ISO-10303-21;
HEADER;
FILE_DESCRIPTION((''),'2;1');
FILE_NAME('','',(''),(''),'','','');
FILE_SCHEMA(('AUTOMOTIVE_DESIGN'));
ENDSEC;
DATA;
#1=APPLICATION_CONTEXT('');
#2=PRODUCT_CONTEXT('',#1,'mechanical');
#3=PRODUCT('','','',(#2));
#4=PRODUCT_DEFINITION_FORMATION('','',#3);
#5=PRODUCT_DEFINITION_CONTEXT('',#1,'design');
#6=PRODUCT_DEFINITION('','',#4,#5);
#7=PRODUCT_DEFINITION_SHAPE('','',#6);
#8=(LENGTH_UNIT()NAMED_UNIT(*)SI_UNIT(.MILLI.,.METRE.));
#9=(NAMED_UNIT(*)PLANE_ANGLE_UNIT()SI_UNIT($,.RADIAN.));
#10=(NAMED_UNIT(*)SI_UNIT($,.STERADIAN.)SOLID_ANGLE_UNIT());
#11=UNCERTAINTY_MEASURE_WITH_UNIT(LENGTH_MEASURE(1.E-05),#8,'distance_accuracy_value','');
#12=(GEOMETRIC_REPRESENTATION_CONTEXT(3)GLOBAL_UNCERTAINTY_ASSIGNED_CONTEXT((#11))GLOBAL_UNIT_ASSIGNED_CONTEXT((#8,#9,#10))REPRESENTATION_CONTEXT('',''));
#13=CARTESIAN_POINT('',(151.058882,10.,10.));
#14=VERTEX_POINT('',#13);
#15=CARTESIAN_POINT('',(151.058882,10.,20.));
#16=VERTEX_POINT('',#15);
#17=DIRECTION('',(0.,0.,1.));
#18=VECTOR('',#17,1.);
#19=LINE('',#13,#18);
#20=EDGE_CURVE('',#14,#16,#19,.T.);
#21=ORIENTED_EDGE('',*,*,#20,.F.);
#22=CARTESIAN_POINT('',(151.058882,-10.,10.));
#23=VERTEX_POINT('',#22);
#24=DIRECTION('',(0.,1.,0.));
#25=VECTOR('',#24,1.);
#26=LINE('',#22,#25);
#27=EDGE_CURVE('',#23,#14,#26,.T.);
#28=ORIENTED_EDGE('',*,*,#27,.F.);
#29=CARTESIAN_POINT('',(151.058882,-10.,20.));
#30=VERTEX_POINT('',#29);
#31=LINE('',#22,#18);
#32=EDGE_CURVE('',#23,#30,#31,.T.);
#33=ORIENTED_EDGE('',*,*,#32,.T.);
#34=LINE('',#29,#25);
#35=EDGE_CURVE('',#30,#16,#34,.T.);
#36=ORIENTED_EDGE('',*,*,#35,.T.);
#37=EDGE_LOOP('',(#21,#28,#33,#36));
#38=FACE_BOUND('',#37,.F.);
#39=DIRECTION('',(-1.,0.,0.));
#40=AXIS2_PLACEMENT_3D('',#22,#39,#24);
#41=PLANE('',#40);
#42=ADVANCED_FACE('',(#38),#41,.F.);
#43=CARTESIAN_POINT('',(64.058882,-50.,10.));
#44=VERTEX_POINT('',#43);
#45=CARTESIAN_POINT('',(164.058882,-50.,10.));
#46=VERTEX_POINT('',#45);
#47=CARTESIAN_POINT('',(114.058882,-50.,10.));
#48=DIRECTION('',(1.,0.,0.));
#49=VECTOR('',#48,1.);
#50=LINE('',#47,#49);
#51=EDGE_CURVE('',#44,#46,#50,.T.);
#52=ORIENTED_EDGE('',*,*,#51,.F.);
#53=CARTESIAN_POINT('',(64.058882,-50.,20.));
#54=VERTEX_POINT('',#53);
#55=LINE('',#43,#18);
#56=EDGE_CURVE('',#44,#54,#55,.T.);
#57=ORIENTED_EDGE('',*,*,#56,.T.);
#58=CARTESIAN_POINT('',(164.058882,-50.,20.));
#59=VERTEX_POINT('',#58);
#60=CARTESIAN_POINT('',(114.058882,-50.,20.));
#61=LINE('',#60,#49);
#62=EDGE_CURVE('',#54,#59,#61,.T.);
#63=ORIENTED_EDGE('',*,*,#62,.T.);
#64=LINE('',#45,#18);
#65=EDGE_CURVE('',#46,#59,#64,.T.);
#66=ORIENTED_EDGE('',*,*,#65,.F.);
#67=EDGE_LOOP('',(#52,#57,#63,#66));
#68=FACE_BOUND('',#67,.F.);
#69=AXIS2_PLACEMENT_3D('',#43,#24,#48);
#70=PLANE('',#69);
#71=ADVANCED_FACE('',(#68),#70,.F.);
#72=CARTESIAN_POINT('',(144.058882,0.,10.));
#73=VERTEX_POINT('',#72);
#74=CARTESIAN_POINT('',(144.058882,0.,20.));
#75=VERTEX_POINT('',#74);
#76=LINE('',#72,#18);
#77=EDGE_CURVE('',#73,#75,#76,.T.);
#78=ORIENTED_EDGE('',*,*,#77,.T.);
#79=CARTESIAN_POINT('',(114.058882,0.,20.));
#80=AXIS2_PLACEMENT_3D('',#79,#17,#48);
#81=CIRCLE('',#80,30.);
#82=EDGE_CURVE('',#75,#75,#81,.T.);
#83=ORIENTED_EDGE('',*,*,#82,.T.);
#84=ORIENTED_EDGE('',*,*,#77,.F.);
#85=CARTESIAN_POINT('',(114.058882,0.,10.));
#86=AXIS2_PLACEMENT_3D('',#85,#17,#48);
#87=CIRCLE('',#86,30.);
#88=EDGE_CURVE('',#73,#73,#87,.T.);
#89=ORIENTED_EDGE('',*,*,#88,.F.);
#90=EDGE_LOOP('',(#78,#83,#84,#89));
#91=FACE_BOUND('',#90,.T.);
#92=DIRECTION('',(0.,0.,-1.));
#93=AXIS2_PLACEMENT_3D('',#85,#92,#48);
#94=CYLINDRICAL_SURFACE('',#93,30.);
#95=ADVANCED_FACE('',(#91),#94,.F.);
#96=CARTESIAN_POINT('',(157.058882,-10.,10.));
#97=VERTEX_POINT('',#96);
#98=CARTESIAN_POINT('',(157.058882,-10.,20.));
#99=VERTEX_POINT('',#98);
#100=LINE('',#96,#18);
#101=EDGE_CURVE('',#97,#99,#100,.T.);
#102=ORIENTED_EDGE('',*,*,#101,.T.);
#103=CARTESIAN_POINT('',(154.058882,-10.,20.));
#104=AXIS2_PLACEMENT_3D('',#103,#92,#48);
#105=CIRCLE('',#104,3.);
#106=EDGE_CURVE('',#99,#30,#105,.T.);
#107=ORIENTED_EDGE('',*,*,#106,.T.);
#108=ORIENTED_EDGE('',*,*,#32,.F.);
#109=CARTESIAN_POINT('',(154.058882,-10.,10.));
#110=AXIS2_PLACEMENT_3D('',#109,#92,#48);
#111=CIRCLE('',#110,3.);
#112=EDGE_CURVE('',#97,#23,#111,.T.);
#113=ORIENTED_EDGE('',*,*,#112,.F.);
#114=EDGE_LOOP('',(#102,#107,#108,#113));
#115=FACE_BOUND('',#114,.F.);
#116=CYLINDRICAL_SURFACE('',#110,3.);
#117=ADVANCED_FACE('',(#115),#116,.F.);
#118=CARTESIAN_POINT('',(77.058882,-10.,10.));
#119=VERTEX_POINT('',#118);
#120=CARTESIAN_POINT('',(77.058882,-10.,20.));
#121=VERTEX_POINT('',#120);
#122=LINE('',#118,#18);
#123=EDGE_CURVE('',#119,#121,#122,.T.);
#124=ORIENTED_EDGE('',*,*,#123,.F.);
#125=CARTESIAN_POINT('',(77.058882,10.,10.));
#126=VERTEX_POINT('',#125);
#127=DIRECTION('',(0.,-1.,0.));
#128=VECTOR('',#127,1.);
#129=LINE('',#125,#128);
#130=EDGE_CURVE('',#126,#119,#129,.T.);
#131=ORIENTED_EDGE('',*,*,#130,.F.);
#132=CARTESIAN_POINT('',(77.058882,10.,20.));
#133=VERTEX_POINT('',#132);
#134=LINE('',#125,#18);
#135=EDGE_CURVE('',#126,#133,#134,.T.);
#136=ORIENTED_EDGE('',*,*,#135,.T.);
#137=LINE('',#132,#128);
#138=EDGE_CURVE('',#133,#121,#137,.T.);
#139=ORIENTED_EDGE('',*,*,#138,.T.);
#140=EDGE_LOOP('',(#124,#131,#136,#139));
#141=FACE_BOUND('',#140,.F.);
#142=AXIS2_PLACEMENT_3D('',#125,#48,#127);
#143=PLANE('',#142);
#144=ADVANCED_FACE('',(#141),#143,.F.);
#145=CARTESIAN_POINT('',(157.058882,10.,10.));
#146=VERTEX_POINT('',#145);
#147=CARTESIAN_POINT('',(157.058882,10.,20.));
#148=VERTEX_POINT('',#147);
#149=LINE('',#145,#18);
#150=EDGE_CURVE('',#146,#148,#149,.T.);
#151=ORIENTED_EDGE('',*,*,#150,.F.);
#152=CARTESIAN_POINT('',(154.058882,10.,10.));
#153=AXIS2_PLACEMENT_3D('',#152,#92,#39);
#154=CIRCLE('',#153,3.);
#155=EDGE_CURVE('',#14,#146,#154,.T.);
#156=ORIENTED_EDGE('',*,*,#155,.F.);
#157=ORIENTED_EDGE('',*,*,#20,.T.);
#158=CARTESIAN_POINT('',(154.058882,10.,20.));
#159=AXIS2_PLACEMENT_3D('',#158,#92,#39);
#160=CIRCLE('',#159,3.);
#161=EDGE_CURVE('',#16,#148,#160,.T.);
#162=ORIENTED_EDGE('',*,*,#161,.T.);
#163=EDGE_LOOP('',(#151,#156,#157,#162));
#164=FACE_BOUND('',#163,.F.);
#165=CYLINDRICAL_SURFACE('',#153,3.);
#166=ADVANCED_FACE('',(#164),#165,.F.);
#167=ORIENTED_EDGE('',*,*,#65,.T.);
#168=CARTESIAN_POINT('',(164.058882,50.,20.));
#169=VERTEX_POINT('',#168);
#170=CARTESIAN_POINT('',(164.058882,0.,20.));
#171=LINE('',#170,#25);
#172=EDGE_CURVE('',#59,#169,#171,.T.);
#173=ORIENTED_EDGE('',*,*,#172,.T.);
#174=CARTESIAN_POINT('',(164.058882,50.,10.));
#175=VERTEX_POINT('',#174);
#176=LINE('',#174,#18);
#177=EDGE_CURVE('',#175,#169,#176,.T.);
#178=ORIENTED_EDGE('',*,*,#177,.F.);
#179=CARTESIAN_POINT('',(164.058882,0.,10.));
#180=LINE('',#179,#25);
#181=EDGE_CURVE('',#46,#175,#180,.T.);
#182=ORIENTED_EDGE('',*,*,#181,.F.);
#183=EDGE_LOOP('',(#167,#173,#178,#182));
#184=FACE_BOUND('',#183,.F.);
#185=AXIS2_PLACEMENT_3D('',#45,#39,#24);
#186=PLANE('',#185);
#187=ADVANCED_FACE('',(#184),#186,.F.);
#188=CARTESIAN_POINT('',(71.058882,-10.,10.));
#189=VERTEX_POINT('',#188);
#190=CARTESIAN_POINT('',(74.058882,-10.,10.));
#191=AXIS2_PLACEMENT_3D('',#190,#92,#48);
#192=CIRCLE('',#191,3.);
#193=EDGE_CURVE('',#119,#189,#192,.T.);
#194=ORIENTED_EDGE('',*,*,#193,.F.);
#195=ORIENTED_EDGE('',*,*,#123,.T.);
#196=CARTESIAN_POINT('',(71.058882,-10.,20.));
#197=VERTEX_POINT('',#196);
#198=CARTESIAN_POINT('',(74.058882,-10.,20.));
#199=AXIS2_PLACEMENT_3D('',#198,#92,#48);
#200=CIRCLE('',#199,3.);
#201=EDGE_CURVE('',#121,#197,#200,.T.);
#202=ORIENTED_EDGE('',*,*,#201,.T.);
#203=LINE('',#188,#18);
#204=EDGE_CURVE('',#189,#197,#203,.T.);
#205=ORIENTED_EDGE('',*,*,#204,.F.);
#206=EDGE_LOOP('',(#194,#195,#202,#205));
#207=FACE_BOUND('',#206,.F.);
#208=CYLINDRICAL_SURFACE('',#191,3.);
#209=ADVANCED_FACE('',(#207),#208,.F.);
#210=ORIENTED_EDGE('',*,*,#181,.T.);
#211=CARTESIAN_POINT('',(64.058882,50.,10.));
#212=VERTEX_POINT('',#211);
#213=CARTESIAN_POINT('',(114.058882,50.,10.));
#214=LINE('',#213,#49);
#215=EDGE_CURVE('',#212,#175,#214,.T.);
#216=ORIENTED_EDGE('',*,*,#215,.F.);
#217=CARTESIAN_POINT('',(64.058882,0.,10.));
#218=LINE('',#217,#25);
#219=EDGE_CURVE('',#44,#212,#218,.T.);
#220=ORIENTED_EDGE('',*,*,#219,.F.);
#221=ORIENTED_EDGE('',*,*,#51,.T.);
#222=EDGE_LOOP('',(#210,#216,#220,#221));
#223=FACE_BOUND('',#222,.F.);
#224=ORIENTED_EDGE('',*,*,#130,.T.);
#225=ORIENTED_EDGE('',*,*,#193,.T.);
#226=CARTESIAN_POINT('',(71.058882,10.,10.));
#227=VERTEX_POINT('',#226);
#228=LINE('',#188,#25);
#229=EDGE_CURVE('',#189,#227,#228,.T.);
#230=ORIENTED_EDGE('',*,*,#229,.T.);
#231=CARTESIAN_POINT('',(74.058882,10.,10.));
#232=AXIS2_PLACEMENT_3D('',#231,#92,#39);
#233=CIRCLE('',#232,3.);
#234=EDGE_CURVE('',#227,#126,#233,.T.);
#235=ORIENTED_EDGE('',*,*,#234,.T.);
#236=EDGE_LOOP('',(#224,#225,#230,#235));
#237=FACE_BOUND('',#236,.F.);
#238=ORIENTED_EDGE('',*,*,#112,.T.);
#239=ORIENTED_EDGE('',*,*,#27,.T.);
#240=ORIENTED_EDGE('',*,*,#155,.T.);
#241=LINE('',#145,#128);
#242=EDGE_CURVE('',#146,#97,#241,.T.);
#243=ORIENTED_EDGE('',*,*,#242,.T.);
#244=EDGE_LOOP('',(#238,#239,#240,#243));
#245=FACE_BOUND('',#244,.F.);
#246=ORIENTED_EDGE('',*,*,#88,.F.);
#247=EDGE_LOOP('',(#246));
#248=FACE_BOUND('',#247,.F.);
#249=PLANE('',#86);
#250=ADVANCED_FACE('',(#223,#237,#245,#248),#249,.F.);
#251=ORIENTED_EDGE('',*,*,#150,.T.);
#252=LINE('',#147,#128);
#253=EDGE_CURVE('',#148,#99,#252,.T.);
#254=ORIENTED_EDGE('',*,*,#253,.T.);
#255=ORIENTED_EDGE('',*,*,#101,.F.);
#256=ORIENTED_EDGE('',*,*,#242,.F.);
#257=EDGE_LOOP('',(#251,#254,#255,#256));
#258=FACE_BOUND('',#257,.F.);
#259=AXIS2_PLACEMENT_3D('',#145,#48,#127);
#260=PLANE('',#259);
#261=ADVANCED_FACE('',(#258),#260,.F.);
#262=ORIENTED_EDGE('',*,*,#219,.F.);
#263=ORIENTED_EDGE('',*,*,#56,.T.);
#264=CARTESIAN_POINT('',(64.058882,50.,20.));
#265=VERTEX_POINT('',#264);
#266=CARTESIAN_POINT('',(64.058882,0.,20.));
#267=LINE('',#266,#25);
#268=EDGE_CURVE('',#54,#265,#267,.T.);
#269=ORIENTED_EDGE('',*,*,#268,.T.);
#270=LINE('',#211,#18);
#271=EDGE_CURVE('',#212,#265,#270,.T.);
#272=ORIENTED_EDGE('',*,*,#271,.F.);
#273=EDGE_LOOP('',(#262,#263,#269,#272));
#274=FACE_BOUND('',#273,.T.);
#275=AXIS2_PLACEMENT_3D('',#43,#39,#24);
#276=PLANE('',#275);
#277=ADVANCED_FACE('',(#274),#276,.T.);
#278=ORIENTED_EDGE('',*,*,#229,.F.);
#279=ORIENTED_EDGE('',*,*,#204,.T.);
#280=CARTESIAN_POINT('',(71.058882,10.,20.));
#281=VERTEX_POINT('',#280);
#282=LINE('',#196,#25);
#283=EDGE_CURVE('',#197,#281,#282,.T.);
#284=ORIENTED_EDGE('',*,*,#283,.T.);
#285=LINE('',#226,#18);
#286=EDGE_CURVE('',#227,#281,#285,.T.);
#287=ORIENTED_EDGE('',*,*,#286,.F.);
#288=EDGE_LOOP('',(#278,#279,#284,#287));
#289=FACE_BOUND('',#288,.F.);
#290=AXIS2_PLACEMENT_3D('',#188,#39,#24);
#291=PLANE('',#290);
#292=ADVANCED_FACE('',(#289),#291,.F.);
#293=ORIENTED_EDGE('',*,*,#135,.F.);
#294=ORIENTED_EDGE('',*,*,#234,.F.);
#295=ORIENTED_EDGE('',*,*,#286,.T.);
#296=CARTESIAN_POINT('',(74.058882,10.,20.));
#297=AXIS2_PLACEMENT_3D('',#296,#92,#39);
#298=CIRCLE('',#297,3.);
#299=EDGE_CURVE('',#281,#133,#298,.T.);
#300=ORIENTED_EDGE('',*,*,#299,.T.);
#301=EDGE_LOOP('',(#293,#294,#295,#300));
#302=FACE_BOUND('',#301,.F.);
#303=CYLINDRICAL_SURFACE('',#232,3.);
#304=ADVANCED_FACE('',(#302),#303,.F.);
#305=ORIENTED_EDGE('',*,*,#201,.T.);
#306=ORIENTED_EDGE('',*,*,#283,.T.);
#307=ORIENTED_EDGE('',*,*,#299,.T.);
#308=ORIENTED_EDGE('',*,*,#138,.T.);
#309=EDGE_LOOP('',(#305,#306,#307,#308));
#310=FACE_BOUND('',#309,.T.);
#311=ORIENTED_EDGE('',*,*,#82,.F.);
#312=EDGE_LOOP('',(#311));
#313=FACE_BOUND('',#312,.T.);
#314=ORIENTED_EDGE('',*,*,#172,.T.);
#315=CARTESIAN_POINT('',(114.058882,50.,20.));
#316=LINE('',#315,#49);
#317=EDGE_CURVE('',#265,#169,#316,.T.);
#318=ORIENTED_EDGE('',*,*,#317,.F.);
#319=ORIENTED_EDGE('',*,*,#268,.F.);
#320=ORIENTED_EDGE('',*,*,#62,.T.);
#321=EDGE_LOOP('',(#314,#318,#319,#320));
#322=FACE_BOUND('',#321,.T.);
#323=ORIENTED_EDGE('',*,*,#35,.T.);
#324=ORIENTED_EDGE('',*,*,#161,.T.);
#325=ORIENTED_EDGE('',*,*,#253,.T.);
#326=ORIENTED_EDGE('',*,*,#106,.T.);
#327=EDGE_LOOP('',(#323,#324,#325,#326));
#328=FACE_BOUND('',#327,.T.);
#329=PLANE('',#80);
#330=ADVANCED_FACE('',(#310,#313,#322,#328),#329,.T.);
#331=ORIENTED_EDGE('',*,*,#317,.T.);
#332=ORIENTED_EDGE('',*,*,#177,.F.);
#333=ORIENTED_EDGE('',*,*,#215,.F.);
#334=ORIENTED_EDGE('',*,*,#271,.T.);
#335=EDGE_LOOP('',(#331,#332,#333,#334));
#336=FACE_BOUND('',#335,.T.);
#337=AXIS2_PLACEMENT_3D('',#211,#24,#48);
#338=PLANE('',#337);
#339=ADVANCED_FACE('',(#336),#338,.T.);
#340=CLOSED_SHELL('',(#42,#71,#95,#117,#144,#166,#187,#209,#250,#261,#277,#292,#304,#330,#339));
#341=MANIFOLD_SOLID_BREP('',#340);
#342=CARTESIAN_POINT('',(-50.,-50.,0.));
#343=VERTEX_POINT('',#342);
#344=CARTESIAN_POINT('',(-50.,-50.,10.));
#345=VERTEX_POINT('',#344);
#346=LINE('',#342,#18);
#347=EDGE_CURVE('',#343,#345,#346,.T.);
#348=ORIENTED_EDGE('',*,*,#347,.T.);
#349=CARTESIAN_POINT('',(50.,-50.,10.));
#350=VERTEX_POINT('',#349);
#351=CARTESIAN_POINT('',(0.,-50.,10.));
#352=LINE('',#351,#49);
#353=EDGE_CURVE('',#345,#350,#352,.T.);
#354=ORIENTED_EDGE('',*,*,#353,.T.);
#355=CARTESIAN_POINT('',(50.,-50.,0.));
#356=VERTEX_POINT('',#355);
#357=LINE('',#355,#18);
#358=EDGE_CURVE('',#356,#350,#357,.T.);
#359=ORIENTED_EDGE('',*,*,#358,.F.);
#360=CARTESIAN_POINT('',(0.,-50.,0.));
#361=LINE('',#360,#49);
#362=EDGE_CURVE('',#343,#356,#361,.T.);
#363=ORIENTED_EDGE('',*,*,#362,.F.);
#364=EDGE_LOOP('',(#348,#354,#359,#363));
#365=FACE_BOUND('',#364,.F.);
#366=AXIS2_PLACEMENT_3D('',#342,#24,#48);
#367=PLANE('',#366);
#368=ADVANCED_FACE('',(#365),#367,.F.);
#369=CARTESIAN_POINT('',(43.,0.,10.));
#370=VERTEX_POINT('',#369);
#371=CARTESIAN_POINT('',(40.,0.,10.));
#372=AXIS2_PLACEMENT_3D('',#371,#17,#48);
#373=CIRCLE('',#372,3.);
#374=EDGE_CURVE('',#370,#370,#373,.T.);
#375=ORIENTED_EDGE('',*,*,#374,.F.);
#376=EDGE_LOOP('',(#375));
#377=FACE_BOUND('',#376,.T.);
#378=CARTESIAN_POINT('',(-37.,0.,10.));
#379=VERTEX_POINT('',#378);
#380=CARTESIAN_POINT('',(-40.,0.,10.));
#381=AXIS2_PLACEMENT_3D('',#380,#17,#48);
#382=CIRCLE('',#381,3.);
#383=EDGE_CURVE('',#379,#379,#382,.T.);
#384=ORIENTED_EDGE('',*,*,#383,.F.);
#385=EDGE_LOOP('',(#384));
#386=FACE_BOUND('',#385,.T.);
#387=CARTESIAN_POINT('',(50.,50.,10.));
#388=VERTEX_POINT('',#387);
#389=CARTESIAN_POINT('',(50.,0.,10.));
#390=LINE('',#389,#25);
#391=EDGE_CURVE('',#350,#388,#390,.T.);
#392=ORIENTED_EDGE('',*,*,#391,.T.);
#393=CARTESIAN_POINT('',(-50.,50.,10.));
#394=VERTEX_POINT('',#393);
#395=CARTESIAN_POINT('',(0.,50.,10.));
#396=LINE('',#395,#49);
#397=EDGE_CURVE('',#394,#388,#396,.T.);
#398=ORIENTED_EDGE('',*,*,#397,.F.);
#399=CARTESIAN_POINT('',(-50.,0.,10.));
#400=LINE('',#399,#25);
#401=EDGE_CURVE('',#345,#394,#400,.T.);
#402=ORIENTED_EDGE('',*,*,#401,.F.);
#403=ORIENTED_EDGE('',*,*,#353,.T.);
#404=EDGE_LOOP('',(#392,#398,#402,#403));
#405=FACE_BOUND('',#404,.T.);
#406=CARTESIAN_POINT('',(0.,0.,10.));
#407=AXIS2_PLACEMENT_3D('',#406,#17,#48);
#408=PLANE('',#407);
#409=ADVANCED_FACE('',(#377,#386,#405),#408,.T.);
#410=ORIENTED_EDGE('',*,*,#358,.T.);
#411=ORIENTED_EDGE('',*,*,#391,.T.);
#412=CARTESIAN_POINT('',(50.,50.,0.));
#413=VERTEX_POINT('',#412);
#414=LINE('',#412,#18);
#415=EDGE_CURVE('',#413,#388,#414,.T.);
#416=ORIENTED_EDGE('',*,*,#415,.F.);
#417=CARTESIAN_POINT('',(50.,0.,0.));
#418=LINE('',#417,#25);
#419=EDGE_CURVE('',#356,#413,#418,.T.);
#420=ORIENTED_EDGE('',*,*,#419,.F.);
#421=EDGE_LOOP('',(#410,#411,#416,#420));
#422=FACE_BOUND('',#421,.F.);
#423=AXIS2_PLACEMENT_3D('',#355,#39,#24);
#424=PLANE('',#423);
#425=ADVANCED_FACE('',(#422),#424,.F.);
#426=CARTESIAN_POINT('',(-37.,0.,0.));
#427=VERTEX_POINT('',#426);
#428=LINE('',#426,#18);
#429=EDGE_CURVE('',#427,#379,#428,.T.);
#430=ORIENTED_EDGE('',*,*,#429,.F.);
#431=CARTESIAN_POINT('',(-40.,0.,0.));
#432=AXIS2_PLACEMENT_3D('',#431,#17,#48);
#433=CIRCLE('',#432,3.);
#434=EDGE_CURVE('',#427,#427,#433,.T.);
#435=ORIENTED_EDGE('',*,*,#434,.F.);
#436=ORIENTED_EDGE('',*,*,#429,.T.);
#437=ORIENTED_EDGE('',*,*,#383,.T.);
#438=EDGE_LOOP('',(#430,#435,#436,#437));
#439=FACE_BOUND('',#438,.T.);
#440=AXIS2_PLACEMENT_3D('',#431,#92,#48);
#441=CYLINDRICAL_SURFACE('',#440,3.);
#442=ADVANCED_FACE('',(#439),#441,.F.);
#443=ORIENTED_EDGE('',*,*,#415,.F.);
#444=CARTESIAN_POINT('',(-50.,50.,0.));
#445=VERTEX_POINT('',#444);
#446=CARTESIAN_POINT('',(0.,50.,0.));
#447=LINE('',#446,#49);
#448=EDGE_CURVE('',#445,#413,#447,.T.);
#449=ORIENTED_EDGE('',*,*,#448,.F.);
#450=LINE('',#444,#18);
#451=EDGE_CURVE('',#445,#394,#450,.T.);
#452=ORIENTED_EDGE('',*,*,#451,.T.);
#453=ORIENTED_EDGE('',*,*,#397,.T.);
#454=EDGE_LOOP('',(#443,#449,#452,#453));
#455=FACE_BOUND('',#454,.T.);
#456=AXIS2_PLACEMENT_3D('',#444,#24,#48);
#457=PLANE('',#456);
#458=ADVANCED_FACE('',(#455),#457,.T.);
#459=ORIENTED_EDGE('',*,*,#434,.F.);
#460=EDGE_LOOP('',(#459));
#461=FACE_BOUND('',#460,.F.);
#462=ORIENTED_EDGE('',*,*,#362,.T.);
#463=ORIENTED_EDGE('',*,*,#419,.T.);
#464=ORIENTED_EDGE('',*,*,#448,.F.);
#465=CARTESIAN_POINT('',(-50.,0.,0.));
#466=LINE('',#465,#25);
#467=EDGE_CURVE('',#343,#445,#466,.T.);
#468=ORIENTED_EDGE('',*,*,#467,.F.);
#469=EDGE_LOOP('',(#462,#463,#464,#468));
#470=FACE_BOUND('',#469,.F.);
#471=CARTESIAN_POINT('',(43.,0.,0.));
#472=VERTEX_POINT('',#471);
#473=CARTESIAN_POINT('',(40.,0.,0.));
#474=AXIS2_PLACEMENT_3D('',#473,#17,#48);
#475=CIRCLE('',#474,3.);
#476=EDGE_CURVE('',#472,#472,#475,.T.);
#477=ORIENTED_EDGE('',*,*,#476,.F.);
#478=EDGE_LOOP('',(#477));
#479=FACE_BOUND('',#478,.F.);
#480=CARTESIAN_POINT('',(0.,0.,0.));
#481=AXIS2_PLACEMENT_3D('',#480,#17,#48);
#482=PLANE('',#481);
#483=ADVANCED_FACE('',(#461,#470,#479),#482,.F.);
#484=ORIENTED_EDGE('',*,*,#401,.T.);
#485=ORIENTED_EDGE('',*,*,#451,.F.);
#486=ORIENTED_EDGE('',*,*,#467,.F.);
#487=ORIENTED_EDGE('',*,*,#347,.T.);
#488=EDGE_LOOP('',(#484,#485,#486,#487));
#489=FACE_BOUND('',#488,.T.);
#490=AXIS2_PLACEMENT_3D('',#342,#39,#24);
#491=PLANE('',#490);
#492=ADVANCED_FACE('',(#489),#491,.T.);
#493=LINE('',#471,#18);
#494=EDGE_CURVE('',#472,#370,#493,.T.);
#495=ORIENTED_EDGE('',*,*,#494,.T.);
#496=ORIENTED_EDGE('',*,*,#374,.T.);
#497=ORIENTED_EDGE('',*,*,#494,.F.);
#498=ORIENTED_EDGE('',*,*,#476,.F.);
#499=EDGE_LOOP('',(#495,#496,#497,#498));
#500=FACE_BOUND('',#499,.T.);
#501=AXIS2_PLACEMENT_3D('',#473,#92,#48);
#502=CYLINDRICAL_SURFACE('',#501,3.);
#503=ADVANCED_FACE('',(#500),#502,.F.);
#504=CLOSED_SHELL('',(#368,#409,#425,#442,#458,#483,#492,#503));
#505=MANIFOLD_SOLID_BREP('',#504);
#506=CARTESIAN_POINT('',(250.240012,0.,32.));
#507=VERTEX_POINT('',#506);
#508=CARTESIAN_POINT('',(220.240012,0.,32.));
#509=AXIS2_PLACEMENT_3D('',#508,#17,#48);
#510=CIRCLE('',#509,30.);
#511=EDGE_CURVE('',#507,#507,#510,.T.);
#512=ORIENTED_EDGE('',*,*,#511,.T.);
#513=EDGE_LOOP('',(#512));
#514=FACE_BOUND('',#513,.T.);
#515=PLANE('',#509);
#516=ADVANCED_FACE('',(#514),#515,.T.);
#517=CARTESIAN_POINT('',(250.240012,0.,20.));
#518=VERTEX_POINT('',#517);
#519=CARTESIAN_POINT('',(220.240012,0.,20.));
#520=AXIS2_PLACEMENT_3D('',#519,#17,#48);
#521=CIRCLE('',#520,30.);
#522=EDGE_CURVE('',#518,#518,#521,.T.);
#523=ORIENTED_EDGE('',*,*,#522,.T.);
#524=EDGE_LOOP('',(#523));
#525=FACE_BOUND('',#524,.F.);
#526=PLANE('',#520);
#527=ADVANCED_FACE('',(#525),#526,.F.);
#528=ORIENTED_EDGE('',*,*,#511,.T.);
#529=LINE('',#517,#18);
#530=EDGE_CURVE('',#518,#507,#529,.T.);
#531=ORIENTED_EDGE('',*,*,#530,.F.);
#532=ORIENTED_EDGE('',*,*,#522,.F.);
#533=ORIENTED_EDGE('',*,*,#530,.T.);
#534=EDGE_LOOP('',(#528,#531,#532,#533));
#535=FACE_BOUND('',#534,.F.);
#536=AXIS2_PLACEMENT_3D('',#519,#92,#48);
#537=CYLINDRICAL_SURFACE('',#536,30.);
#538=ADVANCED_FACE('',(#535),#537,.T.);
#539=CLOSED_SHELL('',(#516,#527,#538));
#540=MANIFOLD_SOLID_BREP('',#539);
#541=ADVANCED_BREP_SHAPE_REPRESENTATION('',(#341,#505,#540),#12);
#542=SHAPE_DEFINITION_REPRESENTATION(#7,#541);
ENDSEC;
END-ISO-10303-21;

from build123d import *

# Parameters (mm, degrees)
F0_W     = 100
F0_H     = 100
F0_R     = 3
F1_DEPTH = 10
F2_W     = 100
F2_H     = 100
F2_R     = 30
F3_DEPTH = 10
F4_R     = 30
F5_DEPTH = 12


with BuildPart() as f1:
    # F0 (on Top) → F1 (new body)
    with BuildSketch(Plane.XY):
        Rectangle(F0_W, F0_H)
        with Locations((-40, 0)):
            Circle(F0_R, mode=Mode.SUBTRACT)
        with Locations((40, 0)):
            Circle(F0_R, mode=Mode.SUBTRACT)
    extrude(amount=F1_DEPTH)


with BuildPart() as f3:
    # F2 (on face) → F3 (new body)
    with BuildSketch(Plane.XY.offset(10)):
        with Locations((114.058882, 0)):
            Rectangle(F2_W, F2_H)
        with BuildLine():
            Line((71.058882, -10), (71.058882, 10))
            ThreePointArc((71.058882, 10), (74.058882, 13), (77.058882, 10))
            Line((77.058882, 10), (77.058882, -10))
            ThreePointArc((77.058882, -10), (74.058882, -13), (71.058882, -10))
        make_face(mode=Mode.SUBTRACT)
        with Locations((114.058882, 0)):
            Circle(F2_R, mode=Mode.SUBTRACT)
        with BuildLine():
            Line((151.058882, -10), (151.058882, 10))
            ThreePointArc((151.058882, 10), (154.058882, 13), (157.058882, 10))
            Line((157.058882, 10), (157.058882, -10))
            ThreePointArc((157.058882, -10), (154.058882, -13), (151.058882, -10))
        make_face(mode=Mode.SUBTRACT)
    extrude(amount=F3_DEPTH)


with BuildPart() as f5:
    # F4 (on face) → F5 (new body)
    with BuildSketch(Plane.XY.offset(20)):
        with Locations((220.240012, 0)):
            Circle(F4_R)
    extrude(amount=F5_DEPTH)


solid = Compound([f1.part, f3.part, f5.part])
